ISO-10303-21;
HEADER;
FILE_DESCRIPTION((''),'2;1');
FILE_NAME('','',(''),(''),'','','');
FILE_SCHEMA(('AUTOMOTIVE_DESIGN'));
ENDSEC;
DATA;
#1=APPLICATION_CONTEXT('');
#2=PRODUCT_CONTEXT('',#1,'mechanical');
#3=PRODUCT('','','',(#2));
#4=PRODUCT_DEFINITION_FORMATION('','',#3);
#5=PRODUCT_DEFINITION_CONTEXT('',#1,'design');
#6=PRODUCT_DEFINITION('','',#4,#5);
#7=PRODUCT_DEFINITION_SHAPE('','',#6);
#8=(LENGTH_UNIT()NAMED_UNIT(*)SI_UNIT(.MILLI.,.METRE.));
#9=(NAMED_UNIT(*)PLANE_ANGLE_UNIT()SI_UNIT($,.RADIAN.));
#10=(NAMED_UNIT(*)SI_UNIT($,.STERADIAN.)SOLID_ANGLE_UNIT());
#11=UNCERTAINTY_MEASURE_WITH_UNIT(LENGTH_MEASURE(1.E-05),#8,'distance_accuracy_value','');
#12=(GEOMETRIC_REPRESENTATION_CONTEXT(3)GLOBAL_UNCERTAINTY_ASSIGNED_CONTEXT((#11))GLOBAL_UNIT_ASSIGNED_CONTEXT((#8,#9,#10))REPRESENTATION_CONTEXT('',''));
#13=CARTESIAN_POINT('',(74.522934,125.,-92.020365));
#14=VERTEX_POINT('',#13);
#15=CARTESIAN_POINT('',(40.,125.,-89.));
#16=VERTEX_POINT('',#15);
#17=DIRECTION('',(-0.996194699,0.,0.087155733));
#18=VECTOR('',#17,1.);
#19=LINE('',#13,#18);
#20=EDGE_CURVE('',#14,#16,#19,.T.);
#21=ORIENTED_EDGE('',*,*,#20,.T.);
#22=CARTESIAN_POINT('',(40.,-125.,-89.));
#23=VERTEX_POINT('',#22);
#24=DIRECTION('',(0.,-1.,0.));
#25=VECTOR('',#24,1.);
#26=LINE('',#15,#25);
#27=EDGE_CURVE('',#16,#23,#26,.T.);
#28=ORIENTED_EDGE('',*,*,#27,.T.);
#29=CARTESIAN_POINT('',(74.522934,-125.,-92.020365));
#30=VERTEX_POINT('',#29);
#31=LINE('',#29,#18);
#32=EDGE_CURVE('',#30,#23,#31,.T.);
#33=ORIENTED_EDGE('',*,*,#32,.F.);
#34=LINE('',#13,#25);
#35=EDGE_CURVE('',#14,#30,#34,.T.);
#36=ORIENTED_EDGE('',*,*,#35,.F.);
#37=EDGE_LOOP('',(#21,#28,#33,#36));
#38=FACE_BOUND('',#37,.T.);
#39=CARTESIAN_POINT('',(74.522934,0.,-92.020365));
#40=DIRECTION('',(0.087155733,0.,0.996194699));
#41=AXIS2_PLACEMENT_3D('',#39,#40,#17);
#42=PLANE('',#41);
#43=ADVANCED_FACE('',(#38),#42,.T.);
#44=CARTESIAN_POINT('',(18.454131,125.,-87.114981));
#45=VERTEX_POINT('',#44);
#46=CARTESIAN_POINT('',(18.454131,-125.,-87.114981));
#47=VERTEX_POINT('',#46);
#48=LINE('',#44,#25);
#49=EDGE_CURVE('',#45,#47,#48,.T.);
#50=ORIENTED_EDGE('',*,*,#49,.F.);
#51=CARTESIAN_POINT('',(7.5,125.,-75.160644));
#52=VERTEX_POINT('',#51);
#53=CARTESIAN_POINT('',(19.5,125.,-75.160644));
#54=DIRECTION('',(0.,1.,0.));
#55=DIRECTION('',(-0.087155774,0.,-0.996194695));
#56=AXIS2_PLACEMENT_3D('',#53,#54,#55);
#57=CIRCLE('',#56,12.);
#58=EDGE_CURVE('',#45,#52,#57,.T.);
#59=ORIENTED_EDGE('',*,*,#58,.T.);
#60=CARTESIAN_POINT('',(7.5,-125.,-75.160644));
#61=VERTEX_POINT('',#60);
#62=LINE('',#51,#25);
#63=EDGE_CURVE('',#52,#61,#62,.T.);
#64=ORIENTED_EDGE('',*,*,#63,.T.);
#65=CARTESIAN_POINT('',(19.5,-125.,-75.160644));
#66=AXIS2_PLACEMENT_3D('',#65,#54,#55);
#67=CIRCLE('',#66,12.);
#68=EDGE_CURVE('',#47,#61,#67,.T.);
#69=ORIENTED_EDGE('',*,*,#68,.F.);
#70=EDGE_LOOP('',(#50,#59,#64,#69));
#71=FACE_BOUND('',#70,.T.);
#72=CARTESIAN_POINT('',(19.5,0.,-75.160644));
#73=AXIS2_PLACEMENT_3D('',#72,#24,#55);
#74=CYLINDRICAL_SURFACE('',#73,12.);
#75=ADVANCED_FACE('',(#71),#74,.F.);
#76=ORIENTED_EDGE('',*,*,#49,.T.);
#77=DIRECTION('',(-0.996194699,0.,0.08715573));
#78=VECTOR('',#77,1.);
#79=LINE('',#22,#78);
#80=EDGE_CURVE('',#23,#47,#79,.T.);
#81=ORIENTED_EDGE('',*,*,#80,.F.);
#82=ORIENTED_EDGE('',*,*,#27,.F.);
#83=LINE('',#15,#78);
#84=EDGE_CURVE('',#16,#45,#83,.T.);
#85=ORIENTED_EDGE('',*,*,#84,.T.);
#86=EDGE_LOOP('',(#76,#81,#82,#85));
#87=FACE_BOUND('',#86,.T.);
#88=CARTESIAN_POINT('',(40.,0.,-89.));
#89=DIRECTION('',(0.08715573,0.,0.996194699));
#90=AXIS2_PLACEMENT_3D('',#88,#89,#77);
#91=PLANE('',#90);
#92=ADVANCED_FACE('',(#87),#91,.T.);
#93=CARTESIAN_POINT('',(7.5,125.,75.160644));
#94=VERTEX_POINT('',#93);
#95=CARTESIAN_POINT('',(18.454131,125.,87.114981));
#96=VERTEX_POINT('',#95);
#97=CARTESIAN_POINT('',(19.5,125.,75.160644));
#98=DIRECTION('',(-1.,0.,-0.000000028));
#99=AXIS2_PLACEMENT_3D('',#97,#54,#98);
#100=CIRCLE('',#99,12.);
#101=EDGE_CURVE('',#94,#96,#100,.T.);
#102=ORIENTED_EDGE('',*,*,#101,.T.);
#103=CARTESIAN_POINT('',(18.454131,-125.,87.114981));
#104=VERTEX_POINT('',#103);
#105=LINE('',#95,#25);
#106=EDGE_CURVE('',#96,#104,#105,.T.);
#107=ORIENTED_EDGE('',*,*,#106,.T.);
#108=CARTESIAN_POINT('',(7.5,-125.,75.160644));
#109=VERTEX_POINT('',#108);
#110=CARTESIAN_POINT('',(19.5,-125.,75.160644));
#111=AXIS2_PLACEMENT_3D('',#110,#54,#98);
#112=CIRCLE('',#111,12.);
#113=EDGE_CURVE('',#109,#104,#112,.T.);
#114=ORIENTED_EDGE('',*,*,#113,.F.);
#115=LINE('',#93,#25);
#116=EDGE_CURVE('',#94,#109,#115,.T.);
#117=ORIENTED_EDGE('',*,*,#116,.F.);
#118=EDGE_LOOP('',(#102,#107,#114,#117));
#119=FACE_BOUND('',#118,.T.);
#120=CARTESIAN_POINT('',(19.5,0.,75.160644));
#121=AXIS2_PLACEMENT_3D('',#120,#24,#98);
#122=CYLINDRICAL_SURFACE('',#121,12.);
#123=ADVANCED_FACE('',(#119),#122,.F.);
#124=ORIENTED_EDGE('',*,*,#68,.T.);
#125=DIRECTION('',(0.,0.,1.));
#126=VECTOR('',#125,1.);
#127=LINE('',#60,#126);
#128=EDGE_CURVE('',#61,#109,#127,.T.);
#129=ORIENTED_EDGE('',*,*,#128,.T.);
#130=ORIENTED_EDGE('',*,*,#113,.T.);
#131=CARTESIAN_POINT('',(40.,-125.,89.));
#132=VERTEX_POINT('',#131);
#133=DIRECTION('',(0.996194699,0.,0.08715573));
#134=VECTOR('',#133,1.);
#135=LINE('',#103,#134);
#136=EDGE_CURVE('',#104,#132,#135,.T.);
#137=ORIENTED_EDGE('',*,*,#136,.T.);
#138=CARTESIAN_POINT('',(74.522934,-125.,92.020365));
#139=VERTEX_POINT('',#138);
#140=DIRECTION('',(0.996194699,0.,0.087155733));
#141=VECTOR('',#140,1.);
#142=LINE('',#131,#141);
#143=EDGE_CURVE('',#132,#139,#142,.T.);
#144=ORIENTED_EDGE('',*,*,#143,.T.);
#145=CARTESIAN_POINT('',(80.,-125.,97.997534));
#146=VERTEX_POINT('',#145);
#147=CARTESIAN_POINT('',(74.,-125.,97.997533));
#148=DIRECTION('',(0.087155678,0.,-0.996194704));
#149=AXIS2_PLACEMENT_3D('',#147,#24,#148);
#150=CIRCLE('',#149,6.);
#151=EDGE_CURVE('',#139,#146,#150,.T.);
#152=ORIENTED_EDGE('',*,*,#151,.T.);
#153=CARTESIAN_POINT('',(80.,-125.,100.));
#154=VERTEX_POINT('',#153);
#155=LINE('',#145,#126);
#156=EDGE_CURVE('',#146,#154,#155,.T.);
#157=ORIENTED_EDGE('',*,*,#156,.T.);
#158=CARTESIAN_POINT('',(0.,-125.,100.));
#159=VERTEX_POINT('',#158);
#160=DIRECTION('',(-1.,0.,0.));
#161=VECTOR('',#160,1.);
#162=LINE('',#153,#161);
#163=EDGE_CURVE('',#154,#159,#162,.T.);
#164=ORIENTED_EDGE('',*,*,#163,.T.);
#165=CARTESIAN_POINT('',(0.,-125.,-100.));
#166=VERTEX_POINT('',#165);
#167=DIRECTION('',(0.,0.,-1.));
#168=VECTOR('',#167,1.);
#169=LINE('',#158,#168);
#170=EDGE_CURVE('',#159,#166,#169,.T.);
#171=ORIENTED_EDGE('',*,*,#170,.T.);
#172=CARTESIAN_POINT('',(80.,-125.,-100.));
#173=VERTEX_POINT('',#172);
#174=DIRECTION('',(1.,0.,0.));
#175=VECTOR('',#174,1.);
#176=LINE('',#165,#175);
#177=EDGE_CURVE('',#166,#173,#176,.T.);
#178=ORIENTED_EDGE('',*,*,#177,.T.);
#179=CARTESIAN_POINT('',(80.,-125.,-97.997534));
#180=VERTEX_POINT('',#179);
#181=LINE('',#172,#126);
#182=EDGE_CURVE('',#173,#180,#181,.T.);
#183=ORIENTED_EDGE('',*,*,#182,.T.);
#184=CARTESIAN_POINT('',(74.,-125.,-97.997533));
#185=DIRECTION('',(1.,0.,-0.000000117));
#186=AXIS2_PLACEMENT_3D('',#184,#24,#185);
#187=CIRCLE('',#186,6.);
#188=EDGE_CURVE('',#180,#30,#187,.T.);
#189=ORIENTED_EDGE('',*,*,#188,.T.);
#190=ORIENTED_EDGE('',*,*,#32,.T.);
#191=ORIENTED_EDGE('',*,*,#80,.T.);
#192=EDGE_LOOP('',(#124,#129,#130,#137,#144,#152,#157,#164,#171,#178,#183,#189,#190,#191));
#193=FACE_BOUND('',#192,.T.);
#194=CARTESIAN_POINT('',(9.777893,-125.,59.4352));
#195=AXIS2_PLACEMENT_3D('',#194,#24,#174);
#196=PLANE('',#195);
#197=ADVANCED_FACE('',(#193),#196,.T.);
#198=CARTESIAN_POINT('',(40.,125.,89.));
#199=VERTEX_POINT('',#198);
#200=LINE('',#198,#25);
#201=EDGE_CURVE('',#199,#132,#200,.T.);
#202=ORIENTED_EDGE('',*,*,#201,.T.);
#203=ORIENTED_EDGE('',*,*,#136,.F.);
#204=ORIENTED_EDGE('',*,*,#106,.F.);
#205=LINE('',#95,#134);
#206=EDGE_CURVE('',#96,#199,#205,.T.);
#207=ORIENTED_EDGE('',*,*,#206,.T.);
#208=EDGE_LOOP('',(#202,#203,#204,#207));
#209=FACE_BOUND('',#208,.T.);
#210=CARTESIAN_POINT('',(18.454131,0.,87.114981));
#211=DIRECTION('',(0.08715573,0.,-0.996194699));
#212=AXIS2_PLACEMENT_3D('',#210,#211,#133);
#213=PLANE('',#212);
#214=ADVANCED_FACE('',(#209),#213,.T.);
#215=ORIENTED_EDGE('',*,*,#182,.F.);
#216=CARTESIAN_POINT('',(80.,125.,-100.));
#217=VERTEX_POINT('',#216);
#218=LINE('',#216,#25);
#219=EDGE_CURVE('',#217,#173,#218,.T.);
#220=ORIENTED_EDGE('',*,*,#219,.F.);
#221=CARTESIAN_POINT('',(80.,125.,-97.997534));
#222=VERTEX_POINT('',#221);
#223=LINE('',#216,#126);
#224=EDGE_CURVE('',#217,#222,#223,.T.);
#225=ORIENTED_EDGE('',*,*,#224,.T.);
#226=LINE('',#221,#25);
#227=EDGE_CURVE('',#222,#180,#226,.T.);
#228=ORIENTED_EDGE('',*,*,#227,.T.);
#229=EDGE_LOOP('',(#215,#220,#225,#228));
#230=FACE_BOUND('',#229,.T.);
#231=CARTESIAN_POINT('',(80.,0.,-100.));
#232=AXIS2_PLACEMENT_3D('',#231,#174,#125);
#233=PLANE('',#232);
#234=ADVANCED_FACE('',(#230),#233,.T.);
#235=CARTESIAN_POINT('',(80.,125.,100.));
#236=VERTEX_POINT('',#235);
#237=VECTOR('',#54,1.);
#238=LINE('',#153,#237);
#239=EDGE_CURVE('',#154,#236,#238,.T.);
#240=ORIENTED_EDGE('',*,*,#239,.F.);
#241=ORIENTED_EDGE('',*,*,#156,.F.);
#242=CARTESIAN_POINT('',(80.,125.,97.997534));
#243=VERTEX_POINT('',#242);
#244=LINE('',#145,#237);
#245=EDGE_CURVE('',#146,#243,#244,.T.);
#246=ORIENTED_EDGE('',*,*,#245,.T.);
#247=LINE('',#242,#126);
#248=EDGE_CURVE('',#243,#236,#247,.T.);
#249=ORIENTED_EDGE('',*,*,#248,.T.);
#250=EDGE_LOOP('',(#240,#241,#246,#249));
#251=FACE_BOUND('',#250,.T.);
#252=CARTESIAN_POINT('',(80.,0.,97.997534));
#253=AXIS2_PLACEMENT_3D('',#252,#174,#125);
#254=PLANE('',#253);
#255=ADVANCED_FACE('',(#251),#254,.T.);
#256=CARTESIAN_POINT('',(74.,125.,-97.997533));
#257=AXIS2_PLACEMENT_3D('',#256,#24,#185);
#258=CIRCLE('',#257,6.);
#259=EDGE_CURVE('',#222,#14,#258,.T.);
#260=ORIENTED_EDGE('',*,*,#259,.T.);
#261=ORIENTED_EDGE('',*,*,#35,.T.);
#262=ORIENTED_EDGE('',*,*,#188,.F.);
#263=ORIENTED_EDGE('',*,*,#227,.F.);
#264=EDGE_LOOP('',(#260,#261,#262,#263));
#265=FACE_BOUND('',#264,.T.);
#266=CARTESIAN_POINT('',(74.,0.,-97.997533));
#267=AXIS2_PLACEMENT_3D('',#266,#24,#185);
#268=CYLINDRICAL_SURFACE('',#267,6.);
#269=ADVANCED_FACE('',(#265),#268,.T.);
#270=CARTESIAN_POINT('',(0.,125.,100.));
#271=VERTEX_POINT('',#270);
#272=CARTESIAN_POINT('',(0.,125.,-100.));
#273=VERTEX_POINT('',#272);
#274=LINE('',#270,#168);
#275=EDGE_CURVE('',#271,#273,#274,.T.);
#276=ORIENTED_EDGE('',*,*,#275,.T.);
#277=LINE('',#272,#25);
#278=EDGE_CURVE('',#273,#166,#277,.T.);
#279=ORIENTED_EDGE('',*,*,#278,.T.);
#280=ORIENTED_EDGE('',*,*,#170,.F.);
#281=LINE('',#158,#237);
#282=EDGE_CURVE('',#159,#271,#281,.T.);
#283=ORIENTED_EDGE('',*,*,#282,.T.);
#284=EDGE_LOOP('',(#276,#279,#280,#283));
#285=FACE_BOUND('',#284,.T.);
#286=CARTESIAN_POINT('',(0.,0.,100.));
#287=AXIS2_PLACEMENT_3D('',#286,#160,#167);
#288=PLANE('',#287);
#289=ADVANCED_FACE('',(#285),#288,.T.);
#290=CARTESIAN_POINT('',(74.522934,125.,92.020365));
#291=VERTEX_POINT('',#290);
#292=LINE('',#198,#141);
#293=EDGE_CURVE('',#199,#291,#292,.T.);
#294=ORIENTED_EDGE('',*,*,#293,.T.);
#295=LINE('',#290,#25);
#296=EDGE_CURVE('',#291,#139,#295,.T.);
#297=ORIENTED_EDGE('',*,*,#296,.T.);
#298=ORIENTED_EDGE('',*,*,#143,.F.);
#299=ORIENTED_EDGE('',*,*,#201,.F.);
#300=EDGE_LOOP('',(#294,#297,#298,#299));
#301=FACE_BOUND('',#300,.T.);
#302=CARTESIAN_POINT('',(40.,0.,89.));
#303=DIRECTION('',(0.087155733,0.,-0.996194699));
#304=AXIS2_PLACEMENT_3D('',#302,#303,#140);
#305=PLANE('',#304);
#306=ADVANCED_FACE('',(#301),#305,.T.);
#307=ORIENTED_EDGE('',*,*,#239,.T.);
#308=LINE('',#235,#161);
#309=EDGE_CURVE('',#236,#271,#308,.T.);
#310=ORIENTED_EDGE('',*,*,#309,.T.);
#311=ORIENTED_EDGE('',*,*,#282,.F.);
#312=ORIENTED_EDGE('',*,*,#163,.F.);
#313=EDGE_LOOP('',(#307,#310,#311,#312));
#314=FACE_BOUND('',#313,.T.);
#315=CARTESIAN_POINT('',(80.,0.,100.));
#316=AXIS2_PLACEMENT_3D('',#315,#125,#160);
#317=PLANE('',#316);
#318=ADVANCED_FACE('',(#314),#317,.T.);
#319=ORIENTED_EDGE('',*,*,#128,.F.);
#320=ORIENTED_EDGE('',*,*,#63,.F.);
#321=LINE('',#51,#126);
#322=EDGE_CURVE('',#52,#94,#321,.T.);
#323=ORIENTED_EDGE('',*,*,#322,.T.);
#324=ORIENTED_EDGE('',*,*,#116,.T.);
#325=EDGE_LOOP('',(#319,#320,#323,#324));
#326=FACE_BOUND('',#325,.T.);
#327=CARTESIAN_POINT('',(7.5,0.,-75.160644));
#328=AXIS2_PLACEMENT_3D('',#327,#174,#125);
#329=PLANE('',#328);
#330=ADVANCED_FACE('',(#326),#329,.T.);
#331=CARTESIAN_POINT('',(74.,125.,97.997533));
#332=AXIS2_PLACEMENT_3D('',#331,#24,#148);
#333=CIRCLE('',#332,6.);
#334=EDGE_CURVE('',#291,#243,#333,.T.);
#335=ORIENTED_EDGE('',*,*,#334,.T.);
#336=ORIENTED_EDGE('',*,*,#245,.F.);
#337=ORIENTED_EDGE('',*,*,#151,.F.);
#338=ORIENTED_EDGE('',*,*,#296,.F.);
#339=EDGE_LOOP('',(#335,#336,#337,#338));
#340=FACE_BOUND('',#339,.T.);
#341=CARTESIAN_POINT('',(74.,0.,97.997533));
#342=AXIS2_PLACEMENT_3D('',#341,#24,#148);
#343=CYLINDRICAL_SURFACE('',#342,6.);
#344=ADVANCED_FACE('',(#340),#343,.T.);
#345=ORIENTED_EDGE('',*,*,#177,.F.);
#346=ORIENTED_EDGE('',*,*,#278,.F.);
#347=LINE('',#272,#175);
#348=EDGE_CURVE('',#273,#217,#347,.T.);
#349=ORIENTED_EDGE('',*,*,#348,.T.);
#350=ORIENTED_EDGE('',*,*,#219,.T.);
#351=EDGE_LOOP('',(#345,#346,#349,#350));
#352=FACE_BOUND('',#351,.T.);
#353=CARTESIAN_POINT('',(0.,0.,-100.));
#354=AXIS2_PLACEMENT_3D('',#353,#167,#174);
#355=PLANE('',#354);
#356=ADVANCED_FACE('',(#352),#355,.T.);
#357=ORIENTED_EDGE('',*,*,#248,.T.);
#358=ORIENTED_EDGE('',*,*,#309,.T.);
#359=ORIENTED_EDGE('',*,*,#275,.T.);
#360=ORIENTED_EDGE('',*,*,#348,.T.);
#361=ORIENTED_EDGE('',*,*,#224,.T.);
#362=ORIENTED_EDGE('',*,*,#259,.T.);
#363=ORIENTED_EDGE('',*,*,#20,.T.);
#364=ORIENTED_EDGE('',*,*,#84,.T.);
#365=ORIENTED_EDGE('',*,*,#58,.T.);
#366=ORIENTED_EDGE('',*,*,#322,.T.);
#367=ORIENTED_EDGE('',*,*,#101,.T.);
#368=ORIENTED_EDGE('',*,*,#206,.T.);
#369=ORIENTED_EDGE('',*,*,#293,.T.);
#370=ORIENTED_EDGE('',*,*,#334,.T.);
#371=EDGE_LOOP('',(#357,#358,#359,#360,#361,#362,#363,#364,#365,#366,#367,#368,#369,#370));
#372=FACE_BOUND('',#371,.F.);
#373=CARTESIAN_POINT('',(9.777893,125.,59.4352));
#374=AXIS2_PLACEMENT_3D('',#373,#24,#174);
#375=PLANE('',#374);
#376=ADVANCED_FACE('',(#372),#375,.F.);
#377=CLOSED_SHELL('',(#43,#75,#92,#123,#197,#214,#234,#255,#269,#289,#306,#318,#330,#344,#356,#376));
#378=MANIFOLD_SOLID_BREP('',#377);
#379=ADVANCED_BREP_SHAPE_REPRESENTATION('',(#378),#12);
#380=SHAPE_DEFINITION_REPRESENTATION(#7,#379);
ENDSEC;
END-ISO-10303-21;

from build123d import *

# Parameters (mm, degrees)
F1_DEPTH = 125


with BuildPart() as f1:
    # F0 (on Front) → F1 (new body, symmetric)
    with BuildSketch(Plane.XZ):
        with BuildLine():
            Line((0, 100), (0, 0))
            Line((0, 0), (7.5, 0))
            Line((7.5, 0), (7.5, 75.160644))
            ThreePointArc((7.5, 75.160644), (10.652672, 83.267727), (18.454131, 87.114981))
            Line((18.454131, 87.114981), (40, 89))
            Line((40, 89), (40, 100))
            Line((40, 100), (0, 100))
        make_face()
        with BuildLine():
            Line((80, 100), (40, 100))
            Line((40, 100), (40, 89))
            Line((40, 89), (74.522934, 92.020365))
            ThreePointArc((74.522934, 92.020365), (78.423664, 93.943992), (80, 97.997534))
            Line((80, 97.997534), (80, 100))
        make_face()
        with BuildLine():
            Line((7.5, 0), (0, 0))
            Line((0, 0), (0, -100))
            Line((0, -100), (40, -100))
            Line((40, -100), (40, -89))
            Line((40, -89), (18.454131, -87.114981))
            ThreePointArc((18.454131, -87.114981), (10.652672, -83.267727), (7.5, -75.160644))
            Line((7.5, -75.160644), (7.5, 0))
        make_face()
        with BuildLine():
            Line((40, -89), (40, -100))
            Line((40, -100), (80, -100))
            Line((80, -100), (80, -97.997534))
            ThreePointArc((80, -97.997534), (78.423664, -93.943992), (74.522934, -92.020365))
            Line((74.522934, -92.020365), (40, -89))
        make_face()
    extrude(amount=F1_DEPTH, both=True)


solid = f1.part
